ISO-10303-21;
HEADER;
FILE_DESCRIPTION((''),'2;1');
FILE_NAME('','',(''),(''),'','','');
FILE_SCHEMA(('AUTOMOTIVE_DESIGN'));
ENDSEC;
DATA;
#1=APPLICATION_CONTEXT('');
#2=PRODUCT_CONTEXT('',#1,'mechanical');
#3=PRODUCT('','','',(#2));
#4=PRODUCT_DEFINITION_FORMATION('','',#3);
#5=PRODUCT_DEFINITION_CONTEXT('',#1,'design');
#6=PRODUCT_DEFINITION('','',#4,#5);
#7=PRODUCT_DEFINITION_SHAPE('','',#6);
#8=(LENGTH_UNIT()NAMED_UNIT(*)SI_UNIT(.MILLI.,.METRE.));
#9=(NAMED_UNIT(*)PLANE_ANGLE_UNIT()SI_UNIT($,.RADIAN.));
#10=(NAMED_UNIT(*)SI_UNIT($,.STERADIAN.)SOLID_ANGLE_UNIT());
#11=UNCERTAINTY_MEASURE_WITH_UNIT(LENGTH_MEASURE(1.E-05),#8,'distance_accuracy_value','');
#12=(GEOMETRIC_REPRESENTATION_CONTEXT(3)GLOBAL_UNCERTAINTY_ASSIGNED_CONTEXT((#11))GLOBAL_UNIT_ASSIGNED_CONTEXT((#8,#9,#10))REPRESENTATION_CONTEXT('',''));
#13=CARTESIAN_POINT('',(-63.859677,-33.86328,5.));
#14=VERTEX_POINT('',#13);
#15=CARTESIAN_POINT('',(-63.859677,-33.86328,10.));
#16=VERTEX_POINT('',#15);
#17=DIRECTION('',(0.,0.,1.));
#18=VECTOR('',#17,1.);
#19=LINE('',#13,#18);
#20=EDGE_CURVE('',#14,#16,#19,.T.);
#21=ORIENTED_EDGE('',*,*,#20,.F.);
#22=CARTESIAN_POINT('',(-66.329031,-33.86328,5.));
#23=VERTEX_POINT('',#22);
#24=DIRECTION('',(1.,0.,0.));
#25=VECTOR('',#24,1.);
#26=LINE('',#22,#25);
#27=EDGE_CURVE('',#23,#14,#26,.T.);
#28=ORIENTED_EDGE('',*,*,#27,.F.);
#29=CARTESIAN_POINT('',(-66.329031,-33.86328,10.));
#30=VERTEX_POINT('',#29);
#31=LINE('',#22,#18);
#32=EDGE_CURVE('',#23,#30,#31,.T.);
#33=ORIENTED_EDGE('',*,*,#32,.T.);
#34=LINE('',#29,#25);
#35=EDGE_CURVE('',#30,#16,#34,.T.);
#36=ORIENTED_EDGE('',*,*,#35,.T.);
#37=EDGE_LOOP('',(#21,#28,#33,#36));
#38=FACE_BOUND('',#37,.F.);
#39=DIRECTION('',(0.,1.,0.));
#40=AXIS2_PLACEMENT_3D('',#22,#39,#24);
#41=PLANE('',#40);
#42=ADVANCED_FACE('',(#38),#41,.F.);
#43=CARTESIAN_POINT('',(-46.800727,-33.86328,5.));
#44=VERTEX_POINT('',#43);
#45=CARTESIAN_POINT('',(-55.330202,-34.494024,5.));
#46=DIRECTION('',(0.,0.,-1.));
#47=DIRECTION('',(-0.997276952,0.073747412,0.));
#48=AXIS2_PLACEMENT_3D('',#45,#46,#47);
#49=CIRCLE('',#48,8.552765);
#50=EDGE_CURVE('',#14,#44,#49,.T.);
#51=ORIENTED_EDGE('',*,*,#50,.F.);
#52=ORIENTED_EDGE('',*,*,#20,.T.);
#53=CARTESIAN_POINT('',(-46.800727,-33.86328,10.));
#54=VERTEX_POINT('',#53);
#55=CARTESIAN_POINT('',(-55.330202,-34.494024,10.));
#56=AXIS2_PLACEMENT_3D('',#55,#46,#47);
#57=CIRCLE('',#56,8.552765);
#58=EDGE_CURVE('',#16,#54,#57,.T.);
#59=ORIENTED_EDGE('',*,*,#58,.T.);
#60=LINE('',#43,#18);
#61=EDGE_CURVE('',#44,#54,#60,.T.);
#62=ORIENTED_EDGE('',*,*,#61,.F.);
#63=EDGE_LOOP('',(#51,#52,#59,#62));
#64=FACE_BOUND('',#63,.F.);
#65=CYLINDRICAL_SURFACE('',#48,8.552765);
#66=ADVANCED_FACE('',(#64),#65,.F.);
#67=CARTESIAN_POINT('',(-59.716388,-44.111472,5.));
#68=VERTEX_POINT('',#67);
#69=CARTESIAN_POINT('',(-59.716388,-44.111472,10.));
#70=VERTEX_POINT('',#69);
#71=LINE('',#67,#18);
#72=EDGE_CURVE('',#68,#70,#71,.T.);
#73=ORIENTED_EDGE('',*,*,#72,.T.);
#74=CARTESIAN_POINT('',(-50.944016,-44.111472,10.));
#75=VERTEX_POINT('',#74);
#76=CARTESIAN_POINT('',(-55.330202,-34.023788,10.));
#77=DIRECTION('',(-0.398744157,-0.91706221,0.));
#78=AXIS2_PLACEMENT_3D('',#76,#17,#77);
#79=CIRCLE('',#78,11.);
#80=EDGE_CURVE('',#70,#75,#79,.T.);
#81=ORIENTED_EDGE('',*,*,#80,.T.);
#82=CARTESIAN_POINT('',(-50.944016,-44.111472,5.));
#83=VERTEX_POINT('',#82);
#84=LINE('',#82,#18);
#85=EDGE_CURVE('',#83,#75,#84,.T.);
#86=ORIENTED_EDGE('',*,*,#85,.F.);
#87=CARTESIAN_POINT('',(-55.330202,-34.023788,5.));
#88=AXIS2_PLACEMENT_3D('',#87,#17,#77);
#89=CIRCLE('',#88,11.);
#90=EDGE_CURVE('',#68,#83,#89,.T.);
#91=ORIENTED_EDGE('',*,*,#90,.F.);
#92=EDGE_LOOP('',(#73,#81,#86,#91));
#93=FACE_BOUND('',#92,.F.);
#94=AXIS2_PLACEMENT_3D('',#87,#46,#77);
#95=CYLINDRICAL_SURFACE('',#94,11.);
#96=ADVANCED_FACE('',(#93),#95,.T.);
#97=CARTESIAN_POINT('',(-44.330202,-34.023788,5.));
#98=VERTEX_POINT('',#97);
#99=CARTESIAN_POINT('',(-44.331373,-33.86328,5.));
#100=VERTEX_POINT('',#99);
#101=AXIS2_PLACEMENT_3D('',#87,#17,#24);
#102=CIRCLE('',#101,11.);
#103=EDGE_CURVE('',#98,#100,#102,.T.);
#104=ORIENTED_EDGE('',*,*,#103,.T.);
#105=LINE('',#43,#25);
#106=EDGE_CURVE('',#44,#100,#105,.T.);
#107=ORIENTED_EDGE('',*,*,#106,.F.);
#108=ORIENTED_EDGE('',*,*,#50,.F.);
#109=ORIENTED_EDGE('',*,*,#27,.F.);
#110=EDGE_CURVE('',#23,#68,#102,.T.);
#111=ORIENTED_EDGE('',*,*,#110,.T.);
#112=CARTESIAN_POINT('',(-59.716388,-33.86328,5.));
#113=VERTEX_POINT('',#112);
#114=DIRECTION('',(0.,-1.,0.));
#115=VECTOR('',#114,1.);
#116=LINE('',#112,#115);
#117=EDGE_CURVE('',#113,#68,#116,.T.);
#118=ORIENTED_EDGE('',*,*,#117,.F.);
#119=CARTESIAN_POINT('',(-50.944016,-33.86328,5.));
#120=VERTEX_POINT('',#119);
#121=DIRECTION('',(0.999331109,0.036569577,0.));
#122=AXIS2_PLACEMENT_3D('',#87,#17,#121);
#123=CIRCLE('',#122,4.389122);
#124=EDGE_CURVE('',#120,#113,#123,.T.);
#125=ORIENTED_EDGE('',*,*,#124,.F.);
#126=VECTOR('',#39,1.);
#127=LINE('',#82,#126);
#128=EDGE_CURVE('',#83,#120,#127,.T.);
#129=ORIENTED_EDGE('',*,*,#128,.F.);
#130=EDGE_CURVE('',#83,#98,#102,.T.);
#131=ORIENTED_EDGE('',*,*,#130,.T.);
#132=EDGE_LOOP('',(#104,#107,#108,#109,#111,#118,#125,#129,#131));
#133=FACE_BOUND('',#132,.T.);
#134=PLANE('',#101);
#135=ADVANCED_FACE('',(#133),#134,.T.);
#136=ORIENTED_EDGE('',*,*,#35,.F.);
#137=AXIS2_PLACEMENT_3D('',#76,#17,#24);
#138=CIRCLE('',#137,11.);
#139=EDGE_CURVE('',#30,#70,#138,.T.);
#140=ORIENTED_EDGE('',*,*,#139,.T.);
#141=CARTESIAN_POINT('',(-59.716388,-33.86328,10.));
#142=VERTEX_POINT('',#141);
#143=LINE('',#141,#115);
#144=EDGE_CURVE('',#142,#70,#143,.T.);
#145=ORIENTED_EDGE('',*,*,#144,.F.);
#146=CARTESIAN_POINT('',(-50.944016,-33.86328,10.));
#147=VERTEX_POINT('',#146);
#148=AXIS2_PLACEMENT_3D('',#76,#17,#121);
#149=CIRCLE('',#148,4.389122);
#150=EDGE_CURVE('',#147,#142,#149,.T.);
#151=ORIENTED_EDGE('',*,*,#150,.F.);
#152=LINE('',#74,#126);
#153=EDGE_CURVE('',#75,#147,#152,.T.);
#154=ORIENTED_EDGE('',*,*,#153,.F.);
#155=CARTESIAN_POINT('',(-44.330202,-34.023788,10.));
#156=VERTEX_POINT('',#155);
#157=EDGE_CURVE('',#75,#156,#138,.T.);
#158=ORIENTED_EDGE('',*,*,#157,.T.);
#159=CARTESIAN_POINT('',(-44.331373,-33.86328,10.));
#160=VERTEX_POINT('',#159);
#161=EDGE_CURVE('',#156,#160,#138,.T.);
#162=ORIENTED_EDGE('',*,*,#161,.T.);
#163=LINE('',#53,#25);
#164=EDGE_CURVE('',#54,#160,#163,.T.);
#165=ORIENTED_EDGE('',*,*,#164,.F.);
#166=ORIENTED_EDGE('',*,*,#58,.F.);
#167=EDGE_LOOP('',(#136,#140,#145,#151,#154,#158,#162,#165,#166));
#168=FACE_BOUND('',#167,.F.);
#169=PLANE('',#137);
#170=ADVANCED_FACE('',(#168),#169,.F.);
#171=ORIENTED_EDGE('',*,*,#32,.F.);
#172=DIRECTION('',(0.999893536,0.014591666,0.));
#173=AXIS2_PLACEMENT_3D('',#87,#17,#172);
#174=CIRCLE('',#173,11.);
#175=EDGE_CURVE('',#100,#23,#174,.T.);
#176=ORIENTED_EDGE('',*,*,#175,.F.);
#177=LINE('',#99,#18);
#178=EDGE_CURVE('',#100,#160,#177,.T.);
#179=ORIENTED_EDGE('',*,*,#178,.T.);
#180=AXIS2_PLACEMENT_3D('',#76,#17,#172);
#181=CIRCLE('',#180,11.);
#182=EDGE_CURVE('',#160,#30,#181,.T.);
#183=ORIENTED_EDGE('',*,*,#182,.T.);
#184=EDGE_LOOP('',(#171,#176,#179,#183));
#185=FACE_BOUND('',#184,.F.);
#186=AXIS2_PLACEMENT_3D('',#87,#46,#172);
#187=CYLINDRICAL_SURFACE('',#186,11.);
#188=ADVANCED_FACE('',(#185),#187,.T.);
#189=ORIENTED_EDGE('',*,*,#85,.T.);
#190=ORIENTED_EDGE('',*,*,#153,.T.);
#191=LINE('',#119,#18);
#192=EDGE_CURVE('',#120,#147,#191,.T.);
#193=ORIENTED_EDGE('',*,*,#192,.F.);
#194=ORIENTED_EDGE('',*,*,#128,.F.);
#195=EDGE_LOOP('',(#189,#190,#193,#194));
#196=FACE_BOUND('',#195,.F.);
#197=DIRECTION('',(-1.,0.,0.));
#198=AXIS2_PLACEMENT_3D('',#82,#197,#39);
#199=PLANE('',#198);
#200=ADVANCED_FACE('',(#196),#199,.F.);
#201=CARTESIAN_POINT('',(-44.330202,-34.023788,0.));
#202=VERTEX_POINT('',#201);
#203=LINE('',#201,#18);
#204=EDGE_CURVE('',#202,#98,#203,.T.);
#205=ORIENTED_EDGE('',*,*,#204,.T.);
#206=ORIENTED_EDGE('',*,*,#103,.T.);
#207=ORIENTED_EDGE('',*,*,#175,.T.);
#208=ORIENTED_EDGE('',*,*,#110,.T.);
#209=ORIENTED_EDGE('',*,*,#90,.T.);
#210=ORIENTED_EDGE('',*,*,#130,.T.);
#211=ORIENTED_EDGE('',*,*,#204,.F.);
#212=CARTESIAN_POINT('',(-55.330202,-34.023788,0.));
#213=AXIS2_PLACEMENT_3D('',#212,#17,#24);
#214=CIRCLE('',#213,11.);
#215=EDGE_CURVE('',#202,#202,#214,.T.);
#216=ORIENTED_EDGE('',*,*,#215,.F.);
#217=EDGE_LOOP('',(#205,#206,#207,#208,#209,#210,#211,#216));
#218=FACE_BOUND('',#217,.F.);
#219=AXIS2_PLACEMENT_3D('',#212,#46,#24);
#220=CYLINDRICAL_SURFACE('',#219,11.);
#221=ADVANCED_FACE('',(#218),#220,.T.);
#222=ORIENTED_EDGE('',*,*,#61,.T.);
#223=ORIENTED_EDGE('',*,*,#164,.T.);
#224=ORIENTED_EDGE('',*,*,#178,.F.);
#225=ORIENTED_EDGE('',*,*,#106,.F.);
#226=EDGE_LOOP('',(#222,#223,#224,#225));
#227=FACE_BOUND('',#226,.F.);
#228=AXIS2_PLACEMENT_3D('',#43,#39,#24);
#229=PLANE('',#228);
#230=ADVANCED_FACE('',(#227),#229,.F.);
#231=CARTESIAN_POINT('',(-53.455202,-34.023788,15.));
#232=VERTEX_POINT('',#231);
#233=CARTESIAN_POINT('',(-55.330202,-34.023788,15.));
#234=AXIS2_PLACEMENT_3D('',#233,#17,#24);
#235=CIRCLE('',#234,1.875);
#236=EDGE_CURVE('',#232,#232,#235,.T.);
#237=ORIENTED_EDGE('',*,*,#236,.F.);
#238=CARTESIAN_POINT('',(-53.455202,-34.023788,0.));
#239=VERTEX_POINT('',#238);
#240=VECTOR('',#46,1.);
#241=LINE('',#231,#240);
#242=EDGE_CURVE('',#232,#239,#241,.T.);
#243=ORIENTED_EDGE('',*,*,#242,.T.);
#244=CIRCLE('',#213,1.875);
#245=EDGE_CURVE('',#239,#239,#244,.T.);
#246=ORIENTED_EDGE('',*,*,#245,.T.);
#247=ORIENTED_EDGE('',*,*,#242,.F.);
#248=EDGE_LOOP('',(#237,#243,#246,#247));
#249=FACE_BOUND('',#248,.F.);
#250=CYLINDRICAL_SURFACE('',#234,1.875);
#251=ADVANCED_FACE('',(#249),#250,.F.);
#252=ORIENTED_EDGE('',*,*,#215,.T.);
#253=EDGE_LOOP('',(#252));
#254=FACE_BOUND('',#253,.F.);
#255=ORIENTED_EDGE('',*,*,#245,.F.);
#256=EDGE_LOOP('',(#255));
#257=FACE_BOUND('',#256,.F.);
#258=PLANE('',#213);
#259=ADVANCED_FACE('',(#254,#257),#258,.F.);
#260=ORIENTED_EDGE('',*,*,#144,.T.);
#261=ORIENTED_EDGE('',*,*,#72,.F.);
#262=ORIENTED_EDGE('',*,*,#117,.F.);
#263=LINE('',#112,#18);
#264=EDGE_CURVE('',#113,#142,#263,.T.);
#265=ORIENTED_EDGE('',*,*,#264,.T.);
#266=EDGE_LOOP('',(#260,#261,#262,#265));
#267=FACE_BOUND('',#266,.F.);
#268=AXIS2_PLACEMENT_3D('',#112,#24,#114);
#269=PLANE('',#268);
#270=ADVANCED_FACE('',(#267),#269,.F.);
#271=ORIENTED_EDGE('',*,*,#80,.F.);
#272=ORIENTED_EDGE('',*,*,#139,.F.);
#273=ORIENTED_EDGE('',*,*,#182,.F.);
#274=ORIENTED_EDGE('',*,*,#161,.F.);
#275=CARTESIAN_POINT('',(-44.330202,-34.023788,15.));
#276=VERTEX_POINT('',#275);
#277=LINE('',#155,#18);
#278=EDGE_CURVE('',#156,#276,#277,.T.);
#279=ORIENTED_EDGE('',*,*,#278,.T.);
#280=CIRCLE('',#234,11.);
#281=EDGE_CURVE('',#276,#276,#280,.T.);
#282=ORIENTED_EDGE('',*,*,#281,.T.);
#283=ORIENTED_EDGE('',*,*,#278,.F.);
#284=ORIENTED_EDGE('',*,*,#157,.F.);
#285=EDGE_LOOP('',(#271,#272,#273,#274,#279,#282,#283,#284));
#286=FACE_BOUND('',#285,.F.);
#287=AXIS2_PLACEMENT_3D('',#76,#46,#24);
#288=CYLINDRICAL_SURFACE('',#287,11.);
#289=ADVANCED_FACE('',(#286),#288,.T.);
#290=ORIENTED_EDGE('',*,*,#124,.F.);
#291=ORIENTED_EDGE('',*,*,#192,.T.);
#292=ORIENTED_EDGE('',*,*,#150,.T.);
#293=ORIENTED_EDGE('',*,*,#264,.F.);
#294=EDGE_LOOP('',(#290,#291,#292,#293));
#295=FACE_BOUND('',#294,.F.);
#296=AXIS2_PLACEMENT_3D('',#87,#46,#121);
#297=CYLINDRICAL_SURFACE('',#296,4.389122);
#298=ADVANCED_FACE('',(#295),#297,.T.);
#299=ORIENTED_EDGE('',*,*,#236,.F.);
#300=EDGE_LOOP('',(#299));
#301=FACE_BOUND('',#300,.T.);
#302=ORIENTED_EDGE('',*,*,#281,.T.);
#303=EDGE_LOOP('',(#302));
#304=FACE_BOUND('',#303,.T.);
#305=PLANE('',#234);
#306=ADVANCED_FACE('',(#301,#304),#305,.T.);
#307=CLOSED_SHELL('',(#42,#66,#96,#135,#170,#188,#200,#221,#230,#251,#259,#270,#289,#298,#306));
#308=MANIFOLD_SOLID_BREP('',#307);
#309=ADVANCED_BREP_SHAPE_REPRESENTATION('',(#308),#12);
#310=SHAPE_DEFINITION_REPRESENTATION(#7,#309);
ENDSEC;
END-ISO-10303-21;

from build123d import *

# Parameters (mm, degrees)
F0_R     = 11
F1_DEPTH = 5
F3_DEPTH = 5
F4_R     = 11
F5_DEPTH = 5
F6_R     = 1.875
F7_DEPTH = 25


with BuildPart() as f1:
    # F0 (on Top) → F1 (new body)
    with BuildSketch(Plane.XY):
        with Locations((-55.3302019835, -34.0237878263)):
            Circle(F0_R)
    extrude(amount=F1_DEPTH)

    # F2 (on face) → F3 (join)
    with BuildSketch(Plane.XY.offset(5)):
        with BuildLine():
            Line((-46.800726779, -33.8632795051), (-44.3313730877, -33.8632795051))
            ThreePointArc((-44.3313730877, -33.8632795051), (-55.3302019835, -23.0237878263), (-66.3290308792, -33.8632795051))
            Line((-66.3290308792, -33.8632795051), (-63.8596771879, -33.8632795051))
            ThreePointArc((-63.8596771879, -33.8632795051), (-55.3302019835, -25.9412589779), (-46.800726779, -33.8632795051))
        make_face()
        with BuildLine():
            ThreePointArc((-59.7163877129, -44.1114721367), (-55.3302019835, -45.0237878263), (-50.944016254, -44.1114721367))
            Line((-50.944016254, -44.1114721367), (-50.944016254, -34.1842961475))
            Line((-50.944016254, -34.1842961475), (-50.944016254, -33.8632795051))
            ThreePointArc((-50.944016254, -33.8632795051), (-55.3302019835, -29.6346662543), (-59.7163877129, -33.8632795051))
            Line((-59.7163877129, -33.8632795051), (-59.7163877129, -34.1842961475))
            Line((-59.7163877129, -34.1842961475), (-59.7163877129, -44.1114721367))
        make_face()
    extrude(amount=F3_DEPTH)

    # F4 (on face) → F5 (join)
    with BuildSketch(Plane.XY.offset(10)):
        with Locations((-55.3302019835, -34.0237878263)):
            Circle(F4_R)
    extrude(amount=F5_DEPTH)

    # F6 (on face) → F7 (cut)
    with BuildSketch(Plane.XY.offset(15)):
        with Locations((-55.3302019835, -34.0237878263)):
            Circle(F6_R)
    extrude(amount=-F7_DEPTH, mode=Mode.SUBTRACT)


solid = f1.part
